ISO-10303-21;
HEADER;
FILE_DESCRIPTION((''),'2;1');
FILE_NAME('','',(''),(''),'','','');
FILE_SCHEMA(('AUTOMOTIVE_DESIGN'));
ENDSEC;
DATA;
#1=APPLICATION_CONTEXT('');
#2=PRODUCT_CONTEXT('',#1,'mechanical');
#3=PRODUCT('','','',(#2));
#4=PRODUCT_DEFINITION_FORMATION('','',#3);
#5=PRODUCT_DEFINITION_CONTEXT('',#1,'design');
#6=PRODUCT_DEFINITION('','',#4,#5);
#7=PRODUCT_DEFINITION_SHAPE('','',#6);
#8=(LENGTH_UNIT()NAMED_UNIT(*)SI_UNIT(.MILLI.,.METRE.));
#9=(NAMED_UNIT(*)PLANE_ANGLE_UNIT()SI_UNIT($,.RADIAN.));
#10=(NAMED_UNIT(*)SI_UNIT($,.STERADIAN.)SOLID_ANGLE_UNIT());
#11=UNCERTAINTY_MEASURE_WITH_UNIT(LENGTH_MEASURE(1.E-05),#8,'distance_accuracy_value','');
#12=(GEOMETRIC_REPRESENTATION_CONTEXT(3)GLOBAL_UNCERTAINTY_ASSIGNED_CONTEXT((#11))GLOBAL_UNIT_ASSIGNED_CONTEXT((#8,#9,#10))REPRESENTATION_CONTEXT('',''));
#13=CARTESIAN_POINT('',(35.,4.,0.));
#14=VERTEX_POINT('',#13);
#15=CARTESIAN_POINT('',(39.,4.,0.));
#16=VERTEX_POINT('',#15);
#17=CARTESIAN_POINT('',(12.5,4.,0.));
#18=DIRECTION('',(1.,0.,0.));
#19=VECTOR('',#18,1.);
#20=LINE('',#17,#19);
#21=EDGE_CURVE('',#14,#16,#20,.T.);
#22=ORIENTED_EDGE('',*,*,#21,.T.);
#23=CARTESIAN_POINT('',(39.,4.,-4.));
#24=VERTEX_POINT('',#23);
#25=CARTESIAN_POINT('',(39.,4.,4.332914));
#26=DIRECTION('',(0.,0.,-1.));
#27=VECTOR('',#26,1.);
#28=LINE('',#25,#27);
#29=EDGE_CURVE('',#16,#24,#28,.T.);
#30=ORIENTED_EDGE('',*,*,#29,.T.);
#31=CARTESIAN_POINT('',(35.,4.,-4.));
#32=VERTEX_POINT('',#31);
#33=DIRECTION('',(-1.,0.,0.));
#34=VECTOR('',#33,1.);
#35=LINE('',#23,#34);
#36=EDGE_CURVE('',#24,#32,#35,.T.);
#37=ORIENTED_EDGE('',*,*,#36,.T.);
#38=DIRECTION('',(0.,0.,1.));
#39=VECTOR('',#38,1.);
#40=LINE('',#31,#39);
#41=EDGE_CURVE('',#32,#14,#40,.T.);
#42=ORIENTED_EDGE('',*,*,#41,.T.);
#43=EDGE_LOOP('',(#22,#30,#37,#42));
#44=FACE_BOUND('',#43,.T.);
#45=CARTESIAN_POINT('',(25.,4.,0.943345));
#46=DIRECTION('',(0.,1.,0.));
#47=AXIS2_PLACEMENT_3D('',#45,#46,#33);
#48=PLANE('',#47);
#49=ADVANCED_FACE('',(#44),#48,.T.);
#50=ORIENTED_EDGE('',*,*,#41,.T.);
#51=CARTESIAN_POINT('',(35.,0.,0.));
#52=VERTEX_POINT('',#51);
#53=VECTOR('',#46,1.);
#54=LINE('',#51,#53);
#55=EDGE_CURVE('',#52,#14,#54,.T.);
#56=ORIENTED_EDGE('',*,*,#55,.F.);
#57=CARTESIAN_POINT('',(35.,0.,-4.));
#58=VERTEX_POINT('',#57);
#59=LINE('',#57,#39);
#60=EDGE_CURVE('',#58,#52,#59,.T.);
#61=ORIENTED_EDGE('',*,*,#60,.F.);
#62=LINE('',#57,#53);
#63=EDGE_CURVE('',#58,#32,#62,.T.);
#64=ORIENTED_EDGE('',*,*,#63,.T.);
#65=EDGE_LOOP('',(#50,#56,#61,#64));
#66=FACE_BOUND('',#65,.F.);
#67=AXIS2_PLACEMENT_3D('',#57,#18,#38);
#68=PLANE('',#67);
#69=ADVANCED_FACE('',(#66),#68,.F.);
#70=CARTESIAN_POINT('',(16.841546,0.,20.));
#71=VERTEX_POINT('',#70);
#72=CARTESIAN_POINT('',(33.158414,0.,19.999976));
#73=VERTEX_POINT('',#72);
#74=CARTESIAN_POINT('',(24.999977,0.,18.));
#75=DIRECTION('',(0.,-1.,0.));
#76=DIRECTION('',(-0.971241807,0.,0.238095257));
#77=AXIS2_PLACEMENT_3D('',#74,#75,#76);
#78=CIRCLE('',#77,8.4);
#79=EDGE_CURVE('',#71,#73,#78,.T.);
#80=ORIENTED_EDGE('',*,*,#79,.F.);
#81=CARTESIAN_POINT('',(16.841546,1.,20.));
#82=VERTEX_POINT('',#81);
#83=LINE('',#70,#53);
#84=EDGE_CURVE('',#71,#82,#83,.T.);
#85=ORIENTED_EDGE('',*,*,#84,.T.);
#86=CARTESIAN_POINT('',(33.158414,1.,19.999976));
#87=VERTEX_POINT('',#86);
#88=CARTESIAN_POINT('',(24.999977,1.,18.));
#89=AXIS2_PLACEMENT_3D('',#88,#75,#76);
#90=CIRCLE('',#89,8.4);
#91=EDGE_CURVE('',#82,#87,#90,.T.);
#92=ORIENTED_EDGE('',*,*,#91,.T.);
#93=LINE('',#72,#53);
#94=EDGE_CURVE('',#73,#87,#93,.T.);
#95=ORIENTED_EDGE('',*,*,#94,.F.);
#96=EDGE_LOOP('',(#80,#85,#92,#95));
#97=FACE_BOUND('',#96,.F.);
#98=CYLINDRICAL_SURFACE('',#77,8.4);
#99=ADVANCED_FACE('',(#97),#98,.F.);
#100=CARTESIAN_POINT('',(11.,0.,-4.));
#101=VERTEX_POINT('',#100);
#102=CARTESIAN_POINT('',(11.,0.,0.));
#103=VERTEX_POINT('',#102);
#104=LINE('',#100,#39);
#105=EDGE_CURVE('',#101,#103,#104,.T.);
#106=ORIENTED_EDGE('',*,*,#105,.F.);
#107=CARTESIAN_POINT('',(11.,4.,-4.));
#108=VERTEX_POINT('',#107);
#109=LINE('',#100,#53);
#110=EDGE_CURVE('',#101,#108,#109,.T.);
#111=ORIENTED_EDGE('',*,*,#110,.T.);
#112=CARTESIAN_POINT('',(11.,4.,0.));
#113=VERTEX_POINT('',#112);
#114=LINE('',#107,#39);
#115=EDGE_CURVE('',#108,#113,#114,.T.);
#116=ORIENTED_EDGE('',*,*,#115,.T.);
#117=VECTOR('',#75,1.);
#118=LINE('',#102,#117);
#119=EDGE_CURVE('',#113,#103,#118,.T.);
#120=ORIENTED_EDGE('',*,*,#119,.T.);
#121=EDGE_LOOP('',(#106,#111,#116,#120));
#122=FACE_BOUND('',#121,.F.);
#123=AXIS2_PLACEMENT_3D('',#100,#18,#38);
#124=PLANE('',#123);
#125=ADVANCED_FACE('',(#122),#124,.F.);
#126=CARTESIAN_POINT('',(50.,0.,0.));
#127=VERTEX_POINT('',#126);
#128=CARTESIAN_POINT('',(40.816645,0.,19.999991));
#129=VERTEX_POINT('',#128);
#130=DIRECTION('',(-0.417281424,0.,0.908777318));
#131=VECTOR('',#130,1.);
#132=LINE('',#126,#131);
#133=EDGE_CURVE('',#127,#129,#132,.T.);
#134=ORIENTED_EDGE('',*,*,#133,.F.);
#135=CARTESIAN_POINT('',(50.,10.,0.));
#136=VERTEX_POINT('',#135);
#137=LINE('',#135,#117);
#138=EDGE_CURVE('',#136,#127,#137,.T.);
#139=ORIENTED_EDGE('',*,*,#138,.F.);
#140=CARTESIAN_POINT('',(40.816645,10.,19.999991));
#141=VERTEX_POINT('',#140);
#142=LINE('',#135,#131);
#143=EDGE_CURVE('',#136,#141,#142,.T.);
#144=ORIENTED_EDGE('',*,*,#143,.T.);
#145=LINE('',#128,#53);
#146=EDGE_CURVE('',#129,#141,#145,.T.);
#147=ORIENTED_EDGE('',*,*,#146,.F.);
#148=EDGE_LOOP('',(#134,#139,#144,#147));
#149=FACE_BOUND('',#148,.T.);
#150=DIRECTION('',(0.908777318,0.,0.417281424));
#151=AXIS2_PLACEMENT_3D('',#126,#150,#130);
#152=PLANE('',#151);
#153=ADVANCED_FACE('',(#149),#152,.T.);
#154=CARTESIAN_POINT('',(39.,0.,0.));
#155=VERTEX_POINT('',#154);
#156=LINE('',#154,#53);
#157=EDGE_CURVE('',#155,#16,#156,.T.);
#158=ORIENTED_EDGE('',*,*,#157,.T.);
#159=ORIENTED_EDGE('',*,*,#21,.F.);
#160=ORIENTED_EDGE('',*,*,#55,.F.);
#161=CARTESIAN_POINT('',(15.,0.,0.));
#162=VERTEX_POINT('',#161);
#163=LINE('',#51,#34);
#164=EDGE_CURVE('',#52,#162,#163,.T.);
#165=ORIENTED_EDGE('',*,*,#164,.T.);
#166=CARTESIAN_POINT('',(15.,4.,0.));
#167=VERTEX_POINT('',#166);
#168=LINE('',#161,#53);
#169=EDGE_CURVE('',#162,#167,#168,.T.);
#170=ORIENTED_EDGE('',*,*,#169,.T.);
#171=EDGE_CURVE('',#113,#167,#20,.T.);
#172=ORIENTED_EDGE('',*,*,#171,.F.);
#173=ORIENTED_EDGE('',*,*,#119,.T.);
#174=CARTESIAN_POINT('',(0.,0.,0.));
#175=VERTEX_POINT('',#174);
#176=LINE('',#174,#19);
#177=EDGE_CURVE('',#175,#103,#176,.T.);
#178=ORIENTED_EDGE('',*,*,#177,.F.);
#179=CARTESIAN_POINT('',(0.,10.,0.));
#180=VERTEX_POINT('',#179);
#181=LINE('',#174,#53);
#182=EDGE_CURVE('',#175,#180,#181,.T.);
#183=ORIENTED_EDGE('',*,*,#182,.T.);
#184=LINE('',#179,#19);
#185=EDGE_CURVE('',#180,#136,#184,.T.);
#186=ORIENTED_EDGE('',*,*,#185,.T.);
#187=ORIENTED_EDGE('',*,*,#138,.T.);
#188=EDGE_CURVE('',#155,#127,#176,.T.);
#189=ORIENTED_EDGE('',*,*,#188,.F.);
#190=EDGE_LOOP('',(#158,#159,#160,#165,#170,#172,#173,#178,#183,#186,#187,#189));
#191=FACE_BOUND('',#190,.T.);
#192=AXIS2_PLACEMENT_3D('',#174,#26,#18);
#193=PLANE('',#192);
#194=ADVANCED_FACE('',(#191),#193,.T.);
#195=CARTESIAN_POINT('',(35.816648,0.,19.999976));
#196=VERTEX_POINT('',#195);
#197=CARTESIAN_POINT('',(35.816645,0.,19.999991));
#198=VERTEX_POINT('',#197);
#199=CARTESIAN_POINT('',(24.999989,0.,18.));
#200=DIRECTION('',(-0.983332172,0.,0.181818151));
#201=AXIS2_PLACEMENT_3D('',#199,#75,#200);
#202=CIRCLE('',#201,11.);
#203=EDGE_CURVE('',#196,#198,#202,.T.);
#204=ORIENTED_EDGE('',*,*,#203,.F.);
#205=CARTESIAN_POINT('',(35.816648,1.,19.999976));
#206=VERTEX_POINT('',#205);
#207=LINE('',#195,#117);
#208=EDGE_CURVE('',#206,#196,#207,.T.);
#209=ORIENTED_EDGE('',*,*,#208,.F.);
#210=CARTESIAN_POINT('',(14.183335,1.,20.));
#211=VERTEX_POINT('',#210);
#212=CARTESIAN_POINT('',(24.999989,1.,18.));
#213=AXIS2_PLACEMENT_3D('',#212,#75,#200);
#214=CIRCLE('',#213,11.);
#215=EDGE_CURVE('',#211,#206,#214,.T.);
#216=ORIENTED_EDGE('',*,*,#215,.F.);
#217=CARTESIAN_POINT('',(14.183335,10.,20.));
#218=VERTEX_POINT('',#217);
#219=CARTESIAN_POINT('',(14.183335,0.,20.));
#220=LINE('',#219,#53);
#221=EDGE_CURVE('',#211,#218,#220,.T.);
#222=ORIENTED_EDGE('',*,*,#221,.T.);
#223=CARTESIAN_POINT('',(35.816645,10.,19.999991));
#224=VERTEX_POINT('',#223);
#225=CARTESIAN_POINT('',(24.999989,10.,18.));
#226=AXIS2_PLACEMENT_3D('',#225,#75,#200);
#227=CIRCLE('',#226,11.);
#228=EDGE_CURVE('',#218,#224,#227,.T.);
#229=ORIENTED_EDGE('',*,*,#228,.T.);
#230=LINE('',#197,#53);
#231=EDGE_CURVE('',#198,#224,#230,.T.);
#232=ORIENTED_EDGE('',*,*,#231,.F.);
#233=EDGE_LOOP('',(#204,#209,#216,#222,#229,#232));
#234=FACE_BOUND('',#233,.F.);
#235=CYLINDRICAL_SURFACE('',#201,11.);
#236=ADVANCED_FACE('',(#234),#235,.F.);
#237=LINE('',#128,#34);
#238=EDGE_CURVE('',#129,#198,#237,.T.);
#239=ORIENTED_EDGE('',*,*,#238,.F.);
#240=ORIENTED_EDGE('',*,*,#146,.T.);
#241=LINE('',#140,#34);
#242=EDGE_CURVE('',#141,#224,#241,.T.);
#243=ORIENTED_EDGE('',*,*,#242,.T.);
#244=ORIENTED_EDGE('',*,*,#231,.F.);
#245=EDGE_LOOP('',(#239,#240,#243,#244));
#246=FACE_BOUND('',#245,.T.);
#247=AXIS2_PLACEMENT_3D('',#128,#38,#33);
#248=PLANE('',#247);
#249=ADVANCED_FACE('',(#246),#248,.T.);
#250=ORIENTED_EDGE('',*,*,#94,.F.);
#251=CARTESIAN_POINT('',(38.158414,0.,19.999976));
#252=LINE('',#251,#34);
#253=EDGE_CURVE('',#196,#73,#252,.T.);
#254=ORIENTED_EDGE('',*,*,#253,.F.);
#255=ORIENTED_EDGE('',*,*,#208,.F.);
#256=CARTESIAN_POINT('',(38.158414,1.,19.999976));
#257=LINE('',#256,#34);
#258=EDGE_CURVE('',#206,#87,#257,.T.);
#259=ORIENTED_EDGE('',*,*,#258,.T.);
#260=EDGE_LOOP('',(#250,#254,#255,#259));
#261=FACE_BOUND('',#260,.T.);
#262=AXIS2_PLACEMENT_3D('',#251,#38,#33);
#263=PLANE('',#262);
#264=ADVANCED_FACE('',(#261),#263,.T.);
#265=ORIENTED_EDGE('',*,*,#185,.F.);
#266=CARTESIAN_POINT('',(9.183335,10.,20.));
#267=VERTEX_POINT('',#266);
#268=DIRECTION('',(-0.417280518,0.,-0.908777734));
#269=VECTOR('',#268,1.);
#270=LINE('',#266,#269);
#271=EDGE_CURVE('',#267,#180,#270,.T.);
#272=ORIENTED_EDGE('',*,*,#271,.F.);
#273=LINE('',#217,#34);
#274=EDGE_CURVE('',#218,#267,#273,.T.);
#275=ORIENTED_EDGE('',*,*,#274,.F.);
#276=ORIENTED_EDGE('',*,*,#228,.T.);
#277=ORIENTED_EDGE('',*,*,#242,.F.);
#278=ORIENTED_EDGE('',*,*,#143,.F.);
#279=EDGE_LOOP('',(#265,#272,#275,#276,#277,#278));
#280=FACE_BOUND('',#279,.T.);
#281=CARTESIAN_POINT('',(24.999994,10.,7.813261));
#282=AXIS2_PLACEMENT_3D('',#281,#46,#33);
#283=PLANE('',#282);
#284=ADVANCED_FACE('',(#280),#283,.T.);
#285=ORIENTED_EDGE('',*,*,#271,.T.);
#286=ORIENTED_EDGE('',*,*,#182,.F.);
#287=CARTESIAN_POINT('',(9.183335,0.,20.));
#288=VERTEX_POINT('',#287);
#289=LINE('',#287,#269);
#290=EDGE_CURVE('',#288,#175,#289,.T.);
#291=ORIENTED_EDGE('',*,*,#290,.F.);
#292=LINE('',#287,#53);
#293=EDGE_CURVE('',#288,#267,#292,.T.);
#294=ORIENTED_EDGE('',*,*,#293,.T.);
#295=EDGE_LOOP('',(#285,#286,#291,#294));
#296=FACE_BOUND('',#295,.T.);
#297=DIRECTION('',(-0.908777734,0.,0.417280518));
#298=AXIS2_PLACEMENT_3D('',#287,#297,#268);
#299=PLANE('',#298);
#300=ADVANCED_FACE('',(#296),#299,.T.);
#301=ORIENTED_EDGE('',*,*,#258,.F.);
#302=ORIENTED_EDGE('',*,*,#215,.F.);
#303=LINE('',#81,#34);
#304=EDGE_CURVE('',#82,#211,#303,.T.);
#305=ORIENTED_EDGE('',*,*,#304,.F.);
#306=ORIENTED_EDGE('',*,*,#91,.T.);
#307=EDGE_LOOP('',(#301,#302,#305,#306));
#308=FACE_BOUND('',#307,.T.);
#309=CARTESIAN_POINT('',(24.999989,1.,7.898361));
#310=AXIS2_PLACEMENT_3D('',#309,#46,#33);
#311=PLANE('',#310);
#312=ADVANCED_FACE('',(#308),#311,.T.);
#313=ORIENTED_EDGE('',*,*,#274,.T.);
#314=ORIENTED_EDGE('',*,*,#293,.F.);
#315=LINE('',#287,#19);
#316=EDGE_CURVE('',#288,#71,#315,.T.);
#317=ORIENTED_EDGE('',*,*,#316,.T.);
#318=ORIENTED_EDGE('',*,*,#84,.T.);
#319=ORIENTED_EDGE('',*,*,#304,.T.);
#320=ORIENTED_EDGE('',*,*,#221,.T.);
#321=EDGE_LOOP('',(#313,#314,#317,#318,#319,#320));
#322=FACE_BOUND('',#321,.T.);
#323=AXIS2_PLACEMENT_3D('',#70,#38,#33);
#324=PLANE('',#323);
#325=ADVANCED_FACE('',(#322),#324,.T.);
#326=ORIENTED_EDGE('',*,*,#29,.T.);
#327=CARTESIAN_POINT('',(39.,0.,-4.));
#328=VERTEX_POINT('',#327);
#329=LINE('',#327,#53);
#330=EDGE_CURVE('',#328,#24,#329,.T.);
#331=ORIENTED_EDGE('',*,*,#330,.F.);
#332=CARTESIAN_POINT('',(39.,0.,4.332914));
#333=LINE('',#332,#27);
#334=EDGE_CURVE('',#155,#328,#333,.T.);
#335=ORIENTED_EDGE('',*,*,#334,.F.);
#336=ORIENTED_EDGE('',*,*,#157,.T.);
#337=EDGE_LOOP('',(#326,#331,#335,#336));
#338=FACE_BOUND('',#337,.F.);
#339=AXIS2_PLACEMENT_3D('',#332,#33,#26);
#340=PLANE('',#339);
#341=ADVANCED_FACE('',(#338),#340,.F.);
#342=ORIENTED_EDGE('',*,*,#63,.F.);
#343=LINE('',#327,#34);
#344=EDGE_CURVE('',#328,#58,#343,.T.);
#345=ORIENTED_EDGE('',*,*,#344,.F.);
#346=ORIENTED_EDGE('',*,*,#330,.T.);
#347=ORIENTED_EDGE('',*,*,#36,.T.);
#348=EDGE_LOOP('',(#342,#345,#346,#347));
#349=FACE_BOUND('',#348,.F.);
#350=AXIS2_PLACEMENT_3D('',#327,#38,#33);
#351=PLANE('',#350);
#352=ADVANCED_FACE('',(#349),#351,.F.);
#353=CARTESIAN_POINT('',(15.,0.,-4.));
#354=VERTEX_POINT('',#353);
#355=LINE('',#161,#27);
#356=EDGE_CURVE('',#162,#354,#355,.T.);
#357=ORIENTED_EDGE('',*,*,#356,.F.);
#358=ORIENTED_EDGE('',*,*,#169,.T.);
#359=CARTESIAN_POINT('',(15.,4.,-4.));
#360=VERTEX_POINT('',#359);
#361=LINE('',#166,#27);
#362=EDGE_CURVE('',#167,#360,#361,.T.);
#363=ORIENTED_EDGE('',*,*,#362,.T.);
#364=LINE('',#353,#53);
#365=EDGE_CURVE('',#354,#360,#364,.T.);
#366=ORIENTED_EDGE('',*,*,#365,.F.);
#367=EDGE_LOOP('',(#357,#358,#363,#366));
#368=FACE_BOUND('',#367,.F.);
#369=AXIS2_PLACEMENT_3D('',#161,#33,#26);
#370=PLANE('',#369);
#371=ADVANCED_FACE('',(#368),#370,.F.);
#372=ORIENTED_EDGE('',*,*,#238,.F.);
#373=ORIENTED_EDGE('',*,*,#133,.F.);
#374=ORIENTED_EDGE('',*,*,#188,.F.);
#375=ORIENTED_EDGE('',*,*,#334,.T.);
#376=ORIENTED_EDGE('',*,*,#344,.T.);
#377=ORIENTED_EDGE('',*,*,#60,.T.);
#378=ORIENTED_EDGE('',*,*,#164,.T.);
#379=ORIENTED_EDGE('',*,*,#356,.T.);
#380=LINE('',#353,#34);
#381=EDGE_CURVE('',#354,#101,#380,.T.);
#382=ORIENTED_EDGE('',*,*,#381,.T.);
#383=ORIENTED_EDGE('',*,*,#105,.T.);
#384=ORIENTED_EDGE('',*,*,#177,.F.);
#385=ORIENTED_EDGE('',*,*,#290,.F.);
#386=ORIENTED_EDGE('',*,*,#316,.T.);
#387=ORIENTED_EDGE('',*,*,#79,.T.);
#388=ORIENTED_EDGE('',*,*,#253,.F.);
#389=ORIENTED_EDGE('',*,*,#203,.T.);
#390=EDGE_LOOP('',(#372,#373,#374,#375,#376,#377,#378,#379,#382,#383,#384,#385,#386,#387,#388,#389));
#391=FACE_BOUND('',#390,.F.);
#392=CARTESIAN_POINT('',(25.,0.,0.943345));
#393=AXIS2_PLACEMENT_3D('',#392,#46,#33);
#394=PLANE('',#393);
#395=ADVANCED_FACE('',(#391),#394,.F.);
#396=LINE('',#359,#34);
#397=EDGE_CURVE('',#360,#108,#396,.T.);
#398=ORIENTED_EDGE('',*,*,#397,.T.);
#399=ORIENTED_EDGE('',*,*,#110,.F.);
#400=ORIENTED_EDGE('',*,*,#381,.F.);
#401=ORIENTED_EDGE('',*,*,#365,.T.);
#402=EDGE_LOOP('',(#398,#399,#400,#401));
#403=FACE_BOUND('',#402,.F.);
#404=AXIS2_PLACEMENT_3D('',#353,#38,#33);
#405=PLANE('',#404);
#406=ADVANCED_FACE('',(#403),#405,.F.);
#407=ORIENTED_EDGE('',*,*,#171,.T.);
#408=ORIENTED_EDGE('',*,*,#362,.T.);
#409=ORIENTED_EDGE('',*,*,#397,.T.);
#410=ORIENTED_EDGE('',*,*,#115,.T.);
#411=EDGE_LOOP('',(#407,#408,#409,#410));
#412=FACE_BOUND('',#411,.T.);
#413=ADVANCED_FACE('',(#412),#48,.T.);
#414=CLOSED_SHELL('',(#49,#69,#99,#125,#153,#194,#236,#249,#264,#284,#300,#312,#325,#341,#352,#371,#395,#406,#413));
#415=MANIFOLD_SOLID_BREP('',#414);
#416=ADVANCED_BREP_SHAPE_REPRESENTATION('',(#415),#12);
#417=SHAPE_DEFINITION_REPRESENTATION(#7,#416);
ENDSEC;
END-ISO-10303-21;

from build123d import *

# Parameters (mm, degrees)
PAD002_DEPTH = 10
PAD001_DEPTH = 1
PAD007_DEPTH = 4


with BuildPart() as body002_bot:
    # Sketch002 → Pad002 (new body)
    with BuildSketch(Plane.XZ):
        with BuildLine():
            ThreePointArc((14.183335, 20), (24.999984, 7), (35.816645, 19.999991))
            Line((40.816645, 19.999991), (35.816645, 19.999991))
            Line((50, 0), (40.816645, 19.999991))
            Line((0, 0), (50, 0))
            Line((9.183335, 20), (0, 0))
            Line((14.183335, 20), (9.183335, 20))
        make_face()
    extrude(amount=-PAD002_DEPTH)


with BuildPart() as body001_bot:
    # Sketch001 → Pad001 (new body)
    with BuildSketch(Plane.XZ):
        with BuildLine():
            ThreePointArc((16.841546, 20), (24.999965, 9.6), (33.158414, 19.999976))
            Line((38.158414, 19.999976), (33.158414, 19.999976))
            Line((50, 0), (38.158414, 19.999976))
            Line((0, 0), (50, 0))
            Line((11.841546, 20), (0, 0))
            Line((16.841546, 20), (11.841546, 20))
        make_face()
    extrude(amount=-PAD001_DEPTH)

    # Boolean001: union Body002_bot
    add(body002_bot.part)

    # Sketch007 → Pad007 (join)
    with BuildSketch(Plane.XZ):
        Polygon((11, -4), (11, 4.332914), (39, 4.332914), (39, -4), (35, -4), (35, 0), (15, 0), (15, -4), align=None)
    extrude(amount=-PAD007_DEPTH)


solid = body001_bot.part
